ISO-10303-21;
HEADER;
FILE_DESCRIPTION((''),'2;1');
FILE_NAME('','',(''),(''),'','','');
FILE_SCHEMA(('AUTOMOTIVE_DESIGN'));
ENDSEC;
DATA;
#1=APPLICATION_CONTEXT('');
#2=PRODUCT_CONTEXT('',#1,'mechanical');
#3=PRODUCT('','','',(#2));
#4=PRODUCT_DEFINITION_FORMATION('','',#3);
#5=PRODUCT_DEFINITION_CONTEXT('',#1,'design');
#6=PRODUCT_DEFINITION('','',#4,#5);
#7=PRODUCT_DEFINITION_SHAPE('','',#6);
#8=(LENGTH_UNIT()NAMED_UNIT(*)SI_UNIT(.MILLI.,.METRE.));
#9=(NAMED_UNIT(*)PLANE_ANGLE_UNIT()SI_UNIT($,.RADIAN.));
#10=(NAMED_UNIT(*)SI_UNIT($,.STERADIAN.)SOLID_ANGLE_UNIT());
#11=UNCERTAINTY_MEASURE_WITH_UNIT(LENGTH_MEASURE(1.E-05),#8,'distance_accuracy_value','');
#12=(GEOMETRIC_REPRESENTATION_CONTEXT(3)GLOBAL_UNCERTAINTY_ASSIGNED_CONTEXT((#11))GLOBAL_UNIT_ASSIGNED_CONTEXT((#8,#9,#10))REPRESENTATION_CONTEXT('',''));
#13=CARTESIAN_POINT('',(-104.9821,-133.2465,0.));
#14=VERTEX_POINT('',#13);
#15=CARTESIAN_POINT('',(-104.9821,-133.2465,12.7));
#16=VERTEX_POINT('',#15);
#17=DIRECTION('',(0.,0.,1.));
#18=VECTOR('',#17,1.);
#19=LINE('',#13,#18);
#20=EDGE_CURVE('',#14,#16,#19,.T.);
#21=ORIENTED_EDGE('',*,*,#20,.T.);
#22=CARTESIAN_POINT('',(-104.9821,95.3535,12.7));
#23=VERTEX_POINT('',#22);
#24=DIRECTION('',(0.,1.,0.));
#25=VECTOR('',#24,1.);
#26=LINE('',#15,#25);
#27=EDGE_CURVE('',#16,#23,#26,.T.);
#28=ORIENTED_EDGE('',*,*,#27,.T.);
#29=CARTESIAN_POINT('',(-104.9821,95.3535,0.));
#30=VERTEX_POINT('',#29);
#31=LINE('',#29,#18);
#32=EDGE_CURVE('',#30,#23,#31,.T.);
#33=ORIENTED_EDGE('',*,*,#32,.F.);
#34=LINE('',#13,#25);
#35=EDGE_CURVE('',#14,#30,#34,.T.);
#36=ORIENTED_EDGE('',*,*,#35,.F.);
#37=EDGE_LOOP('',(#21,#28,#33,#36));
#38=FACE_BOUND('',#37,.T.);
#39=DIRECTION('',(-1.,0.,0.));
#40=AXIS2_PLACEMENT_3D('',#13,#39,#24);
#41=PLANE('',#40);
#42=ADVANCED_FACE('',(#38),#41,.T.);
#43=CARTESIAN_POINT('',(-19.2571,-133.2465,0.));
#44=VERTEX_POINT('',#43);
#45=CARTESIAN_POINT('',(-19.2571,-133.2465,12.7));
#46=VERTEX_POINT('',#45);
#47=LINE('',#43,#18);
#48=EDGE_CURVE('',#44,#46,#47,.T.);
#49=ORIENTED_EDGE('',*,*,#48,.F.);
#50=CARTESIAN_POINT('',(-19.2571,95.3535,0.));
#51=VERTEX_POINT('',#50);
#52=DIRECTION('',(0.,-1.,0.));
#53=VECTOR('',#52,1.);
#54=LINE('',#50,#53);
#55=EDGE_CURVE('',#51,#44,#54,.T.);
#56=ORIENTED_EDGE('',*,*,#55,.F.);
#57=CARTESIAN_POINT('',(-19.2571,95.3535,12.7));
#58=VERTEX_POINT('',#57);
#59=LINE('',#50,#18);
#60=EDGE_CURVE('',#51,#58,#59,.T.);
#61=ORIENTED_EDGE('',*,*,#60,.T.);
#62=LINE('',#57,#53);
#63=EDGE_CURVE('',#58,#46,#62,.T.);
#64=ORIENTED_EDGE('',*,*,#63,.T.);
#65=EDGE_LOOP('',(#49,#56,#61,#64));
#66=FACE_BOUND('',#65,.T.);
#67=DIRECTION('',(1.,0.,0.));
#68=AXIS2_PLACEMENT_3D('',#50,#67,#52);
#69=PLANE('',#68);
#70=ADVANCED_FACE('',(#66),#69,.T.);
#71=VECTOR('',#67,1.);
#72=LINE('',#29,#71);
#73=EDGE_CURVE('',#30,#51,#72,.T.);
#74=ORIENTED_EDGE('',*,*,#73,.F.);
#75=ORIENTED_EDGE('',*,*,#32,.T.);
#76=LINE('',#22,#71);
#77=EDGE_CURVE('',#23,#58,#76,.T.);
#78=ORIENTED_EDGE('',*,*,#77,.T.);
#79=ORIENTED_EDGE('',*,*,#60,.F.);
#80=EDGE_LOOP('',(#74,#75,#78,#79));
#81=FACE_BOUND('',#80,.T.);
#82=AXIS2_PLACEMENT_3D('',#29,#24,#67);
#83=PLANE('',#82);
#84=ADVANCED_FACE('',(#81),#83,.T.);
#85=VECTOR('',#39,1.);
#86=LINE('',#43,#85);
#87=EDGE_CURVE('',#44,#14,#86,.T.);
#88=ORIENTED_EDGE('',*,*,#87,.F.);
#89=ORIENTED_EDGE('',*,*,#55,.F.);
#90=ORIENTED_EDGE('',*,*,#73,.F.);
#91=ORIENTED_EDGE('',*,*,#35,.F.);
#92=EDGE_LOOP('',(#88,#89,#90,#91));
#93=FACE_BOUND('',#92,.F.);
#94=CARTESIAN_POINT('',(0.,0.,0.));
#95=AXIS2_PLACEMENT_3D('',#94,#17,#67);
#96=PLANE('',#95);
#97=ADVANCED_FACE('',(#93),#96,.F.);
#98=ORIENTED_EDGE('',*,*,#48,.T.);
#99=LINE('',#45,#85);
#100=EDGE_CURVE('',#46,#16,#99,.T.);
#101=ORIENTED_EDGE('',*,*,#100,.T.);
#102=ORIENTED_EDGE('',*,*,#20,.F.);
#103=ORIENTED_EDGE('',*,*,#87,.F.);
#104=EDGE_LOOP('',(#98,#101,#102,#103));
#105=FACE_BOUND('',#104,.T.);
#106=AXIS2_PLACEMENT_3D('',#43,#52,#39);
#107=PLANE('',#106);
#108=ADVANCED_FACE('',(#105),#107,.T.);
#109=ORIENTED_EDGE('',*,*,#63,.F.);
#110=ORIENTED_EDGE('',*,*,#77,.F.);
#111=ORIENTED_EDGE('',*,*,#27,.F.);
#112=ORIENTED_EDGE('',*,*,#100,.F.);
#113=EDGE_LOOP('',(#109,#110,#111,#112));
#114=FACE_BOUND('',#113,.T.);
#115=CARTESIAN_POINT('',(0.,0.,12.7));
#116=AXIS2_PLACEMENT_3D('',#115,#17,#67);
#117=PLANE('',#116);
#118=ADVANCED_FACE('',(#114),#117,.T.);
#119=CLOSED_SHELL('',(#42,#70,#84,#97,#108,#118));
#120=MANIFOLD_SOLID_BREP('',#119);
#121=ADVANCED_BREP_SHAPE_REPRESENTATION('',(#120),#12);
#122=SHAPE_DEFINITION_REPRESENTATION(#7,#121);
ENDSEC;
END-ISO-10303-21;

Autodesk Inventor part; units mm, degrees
ref_plane "YZ Plane" through (0, 0, 0) normal (1, 0, 0) x (0, 1, 0)
ref_plane "XZ Plane" through (0, 0, 0) normal (0, 1, 0) x (-1, 0, 0)
ref_plane "XY Plane" through (0, 0, 0) normal (0, 0, 1) x (1, 0, 0)
sketch "Sketch1" plane through (0, 0, 0) normal (0, 0, 1) x (1, 0, 0)
  line L0 (-104.9821, 95.3535) -> (-19.2571, 95.3535)
  line L1 (-19.2571, 95.3535) -> (-19.2571, -133.2465)
  line L2 (-19.2571, -133.2465) -> (-104.9821, -133.2465)
  line L3 (-104.9821, -133.2465) -> (-104.9821, 95.3535)
  point P0 (0, 0)
  dimension "d0" = 228.6
  dimension "d1" = 85.725
extrude "Extrusion1" add sketch "Sketch1" along normal blind 12.7
properties part number "Base"
